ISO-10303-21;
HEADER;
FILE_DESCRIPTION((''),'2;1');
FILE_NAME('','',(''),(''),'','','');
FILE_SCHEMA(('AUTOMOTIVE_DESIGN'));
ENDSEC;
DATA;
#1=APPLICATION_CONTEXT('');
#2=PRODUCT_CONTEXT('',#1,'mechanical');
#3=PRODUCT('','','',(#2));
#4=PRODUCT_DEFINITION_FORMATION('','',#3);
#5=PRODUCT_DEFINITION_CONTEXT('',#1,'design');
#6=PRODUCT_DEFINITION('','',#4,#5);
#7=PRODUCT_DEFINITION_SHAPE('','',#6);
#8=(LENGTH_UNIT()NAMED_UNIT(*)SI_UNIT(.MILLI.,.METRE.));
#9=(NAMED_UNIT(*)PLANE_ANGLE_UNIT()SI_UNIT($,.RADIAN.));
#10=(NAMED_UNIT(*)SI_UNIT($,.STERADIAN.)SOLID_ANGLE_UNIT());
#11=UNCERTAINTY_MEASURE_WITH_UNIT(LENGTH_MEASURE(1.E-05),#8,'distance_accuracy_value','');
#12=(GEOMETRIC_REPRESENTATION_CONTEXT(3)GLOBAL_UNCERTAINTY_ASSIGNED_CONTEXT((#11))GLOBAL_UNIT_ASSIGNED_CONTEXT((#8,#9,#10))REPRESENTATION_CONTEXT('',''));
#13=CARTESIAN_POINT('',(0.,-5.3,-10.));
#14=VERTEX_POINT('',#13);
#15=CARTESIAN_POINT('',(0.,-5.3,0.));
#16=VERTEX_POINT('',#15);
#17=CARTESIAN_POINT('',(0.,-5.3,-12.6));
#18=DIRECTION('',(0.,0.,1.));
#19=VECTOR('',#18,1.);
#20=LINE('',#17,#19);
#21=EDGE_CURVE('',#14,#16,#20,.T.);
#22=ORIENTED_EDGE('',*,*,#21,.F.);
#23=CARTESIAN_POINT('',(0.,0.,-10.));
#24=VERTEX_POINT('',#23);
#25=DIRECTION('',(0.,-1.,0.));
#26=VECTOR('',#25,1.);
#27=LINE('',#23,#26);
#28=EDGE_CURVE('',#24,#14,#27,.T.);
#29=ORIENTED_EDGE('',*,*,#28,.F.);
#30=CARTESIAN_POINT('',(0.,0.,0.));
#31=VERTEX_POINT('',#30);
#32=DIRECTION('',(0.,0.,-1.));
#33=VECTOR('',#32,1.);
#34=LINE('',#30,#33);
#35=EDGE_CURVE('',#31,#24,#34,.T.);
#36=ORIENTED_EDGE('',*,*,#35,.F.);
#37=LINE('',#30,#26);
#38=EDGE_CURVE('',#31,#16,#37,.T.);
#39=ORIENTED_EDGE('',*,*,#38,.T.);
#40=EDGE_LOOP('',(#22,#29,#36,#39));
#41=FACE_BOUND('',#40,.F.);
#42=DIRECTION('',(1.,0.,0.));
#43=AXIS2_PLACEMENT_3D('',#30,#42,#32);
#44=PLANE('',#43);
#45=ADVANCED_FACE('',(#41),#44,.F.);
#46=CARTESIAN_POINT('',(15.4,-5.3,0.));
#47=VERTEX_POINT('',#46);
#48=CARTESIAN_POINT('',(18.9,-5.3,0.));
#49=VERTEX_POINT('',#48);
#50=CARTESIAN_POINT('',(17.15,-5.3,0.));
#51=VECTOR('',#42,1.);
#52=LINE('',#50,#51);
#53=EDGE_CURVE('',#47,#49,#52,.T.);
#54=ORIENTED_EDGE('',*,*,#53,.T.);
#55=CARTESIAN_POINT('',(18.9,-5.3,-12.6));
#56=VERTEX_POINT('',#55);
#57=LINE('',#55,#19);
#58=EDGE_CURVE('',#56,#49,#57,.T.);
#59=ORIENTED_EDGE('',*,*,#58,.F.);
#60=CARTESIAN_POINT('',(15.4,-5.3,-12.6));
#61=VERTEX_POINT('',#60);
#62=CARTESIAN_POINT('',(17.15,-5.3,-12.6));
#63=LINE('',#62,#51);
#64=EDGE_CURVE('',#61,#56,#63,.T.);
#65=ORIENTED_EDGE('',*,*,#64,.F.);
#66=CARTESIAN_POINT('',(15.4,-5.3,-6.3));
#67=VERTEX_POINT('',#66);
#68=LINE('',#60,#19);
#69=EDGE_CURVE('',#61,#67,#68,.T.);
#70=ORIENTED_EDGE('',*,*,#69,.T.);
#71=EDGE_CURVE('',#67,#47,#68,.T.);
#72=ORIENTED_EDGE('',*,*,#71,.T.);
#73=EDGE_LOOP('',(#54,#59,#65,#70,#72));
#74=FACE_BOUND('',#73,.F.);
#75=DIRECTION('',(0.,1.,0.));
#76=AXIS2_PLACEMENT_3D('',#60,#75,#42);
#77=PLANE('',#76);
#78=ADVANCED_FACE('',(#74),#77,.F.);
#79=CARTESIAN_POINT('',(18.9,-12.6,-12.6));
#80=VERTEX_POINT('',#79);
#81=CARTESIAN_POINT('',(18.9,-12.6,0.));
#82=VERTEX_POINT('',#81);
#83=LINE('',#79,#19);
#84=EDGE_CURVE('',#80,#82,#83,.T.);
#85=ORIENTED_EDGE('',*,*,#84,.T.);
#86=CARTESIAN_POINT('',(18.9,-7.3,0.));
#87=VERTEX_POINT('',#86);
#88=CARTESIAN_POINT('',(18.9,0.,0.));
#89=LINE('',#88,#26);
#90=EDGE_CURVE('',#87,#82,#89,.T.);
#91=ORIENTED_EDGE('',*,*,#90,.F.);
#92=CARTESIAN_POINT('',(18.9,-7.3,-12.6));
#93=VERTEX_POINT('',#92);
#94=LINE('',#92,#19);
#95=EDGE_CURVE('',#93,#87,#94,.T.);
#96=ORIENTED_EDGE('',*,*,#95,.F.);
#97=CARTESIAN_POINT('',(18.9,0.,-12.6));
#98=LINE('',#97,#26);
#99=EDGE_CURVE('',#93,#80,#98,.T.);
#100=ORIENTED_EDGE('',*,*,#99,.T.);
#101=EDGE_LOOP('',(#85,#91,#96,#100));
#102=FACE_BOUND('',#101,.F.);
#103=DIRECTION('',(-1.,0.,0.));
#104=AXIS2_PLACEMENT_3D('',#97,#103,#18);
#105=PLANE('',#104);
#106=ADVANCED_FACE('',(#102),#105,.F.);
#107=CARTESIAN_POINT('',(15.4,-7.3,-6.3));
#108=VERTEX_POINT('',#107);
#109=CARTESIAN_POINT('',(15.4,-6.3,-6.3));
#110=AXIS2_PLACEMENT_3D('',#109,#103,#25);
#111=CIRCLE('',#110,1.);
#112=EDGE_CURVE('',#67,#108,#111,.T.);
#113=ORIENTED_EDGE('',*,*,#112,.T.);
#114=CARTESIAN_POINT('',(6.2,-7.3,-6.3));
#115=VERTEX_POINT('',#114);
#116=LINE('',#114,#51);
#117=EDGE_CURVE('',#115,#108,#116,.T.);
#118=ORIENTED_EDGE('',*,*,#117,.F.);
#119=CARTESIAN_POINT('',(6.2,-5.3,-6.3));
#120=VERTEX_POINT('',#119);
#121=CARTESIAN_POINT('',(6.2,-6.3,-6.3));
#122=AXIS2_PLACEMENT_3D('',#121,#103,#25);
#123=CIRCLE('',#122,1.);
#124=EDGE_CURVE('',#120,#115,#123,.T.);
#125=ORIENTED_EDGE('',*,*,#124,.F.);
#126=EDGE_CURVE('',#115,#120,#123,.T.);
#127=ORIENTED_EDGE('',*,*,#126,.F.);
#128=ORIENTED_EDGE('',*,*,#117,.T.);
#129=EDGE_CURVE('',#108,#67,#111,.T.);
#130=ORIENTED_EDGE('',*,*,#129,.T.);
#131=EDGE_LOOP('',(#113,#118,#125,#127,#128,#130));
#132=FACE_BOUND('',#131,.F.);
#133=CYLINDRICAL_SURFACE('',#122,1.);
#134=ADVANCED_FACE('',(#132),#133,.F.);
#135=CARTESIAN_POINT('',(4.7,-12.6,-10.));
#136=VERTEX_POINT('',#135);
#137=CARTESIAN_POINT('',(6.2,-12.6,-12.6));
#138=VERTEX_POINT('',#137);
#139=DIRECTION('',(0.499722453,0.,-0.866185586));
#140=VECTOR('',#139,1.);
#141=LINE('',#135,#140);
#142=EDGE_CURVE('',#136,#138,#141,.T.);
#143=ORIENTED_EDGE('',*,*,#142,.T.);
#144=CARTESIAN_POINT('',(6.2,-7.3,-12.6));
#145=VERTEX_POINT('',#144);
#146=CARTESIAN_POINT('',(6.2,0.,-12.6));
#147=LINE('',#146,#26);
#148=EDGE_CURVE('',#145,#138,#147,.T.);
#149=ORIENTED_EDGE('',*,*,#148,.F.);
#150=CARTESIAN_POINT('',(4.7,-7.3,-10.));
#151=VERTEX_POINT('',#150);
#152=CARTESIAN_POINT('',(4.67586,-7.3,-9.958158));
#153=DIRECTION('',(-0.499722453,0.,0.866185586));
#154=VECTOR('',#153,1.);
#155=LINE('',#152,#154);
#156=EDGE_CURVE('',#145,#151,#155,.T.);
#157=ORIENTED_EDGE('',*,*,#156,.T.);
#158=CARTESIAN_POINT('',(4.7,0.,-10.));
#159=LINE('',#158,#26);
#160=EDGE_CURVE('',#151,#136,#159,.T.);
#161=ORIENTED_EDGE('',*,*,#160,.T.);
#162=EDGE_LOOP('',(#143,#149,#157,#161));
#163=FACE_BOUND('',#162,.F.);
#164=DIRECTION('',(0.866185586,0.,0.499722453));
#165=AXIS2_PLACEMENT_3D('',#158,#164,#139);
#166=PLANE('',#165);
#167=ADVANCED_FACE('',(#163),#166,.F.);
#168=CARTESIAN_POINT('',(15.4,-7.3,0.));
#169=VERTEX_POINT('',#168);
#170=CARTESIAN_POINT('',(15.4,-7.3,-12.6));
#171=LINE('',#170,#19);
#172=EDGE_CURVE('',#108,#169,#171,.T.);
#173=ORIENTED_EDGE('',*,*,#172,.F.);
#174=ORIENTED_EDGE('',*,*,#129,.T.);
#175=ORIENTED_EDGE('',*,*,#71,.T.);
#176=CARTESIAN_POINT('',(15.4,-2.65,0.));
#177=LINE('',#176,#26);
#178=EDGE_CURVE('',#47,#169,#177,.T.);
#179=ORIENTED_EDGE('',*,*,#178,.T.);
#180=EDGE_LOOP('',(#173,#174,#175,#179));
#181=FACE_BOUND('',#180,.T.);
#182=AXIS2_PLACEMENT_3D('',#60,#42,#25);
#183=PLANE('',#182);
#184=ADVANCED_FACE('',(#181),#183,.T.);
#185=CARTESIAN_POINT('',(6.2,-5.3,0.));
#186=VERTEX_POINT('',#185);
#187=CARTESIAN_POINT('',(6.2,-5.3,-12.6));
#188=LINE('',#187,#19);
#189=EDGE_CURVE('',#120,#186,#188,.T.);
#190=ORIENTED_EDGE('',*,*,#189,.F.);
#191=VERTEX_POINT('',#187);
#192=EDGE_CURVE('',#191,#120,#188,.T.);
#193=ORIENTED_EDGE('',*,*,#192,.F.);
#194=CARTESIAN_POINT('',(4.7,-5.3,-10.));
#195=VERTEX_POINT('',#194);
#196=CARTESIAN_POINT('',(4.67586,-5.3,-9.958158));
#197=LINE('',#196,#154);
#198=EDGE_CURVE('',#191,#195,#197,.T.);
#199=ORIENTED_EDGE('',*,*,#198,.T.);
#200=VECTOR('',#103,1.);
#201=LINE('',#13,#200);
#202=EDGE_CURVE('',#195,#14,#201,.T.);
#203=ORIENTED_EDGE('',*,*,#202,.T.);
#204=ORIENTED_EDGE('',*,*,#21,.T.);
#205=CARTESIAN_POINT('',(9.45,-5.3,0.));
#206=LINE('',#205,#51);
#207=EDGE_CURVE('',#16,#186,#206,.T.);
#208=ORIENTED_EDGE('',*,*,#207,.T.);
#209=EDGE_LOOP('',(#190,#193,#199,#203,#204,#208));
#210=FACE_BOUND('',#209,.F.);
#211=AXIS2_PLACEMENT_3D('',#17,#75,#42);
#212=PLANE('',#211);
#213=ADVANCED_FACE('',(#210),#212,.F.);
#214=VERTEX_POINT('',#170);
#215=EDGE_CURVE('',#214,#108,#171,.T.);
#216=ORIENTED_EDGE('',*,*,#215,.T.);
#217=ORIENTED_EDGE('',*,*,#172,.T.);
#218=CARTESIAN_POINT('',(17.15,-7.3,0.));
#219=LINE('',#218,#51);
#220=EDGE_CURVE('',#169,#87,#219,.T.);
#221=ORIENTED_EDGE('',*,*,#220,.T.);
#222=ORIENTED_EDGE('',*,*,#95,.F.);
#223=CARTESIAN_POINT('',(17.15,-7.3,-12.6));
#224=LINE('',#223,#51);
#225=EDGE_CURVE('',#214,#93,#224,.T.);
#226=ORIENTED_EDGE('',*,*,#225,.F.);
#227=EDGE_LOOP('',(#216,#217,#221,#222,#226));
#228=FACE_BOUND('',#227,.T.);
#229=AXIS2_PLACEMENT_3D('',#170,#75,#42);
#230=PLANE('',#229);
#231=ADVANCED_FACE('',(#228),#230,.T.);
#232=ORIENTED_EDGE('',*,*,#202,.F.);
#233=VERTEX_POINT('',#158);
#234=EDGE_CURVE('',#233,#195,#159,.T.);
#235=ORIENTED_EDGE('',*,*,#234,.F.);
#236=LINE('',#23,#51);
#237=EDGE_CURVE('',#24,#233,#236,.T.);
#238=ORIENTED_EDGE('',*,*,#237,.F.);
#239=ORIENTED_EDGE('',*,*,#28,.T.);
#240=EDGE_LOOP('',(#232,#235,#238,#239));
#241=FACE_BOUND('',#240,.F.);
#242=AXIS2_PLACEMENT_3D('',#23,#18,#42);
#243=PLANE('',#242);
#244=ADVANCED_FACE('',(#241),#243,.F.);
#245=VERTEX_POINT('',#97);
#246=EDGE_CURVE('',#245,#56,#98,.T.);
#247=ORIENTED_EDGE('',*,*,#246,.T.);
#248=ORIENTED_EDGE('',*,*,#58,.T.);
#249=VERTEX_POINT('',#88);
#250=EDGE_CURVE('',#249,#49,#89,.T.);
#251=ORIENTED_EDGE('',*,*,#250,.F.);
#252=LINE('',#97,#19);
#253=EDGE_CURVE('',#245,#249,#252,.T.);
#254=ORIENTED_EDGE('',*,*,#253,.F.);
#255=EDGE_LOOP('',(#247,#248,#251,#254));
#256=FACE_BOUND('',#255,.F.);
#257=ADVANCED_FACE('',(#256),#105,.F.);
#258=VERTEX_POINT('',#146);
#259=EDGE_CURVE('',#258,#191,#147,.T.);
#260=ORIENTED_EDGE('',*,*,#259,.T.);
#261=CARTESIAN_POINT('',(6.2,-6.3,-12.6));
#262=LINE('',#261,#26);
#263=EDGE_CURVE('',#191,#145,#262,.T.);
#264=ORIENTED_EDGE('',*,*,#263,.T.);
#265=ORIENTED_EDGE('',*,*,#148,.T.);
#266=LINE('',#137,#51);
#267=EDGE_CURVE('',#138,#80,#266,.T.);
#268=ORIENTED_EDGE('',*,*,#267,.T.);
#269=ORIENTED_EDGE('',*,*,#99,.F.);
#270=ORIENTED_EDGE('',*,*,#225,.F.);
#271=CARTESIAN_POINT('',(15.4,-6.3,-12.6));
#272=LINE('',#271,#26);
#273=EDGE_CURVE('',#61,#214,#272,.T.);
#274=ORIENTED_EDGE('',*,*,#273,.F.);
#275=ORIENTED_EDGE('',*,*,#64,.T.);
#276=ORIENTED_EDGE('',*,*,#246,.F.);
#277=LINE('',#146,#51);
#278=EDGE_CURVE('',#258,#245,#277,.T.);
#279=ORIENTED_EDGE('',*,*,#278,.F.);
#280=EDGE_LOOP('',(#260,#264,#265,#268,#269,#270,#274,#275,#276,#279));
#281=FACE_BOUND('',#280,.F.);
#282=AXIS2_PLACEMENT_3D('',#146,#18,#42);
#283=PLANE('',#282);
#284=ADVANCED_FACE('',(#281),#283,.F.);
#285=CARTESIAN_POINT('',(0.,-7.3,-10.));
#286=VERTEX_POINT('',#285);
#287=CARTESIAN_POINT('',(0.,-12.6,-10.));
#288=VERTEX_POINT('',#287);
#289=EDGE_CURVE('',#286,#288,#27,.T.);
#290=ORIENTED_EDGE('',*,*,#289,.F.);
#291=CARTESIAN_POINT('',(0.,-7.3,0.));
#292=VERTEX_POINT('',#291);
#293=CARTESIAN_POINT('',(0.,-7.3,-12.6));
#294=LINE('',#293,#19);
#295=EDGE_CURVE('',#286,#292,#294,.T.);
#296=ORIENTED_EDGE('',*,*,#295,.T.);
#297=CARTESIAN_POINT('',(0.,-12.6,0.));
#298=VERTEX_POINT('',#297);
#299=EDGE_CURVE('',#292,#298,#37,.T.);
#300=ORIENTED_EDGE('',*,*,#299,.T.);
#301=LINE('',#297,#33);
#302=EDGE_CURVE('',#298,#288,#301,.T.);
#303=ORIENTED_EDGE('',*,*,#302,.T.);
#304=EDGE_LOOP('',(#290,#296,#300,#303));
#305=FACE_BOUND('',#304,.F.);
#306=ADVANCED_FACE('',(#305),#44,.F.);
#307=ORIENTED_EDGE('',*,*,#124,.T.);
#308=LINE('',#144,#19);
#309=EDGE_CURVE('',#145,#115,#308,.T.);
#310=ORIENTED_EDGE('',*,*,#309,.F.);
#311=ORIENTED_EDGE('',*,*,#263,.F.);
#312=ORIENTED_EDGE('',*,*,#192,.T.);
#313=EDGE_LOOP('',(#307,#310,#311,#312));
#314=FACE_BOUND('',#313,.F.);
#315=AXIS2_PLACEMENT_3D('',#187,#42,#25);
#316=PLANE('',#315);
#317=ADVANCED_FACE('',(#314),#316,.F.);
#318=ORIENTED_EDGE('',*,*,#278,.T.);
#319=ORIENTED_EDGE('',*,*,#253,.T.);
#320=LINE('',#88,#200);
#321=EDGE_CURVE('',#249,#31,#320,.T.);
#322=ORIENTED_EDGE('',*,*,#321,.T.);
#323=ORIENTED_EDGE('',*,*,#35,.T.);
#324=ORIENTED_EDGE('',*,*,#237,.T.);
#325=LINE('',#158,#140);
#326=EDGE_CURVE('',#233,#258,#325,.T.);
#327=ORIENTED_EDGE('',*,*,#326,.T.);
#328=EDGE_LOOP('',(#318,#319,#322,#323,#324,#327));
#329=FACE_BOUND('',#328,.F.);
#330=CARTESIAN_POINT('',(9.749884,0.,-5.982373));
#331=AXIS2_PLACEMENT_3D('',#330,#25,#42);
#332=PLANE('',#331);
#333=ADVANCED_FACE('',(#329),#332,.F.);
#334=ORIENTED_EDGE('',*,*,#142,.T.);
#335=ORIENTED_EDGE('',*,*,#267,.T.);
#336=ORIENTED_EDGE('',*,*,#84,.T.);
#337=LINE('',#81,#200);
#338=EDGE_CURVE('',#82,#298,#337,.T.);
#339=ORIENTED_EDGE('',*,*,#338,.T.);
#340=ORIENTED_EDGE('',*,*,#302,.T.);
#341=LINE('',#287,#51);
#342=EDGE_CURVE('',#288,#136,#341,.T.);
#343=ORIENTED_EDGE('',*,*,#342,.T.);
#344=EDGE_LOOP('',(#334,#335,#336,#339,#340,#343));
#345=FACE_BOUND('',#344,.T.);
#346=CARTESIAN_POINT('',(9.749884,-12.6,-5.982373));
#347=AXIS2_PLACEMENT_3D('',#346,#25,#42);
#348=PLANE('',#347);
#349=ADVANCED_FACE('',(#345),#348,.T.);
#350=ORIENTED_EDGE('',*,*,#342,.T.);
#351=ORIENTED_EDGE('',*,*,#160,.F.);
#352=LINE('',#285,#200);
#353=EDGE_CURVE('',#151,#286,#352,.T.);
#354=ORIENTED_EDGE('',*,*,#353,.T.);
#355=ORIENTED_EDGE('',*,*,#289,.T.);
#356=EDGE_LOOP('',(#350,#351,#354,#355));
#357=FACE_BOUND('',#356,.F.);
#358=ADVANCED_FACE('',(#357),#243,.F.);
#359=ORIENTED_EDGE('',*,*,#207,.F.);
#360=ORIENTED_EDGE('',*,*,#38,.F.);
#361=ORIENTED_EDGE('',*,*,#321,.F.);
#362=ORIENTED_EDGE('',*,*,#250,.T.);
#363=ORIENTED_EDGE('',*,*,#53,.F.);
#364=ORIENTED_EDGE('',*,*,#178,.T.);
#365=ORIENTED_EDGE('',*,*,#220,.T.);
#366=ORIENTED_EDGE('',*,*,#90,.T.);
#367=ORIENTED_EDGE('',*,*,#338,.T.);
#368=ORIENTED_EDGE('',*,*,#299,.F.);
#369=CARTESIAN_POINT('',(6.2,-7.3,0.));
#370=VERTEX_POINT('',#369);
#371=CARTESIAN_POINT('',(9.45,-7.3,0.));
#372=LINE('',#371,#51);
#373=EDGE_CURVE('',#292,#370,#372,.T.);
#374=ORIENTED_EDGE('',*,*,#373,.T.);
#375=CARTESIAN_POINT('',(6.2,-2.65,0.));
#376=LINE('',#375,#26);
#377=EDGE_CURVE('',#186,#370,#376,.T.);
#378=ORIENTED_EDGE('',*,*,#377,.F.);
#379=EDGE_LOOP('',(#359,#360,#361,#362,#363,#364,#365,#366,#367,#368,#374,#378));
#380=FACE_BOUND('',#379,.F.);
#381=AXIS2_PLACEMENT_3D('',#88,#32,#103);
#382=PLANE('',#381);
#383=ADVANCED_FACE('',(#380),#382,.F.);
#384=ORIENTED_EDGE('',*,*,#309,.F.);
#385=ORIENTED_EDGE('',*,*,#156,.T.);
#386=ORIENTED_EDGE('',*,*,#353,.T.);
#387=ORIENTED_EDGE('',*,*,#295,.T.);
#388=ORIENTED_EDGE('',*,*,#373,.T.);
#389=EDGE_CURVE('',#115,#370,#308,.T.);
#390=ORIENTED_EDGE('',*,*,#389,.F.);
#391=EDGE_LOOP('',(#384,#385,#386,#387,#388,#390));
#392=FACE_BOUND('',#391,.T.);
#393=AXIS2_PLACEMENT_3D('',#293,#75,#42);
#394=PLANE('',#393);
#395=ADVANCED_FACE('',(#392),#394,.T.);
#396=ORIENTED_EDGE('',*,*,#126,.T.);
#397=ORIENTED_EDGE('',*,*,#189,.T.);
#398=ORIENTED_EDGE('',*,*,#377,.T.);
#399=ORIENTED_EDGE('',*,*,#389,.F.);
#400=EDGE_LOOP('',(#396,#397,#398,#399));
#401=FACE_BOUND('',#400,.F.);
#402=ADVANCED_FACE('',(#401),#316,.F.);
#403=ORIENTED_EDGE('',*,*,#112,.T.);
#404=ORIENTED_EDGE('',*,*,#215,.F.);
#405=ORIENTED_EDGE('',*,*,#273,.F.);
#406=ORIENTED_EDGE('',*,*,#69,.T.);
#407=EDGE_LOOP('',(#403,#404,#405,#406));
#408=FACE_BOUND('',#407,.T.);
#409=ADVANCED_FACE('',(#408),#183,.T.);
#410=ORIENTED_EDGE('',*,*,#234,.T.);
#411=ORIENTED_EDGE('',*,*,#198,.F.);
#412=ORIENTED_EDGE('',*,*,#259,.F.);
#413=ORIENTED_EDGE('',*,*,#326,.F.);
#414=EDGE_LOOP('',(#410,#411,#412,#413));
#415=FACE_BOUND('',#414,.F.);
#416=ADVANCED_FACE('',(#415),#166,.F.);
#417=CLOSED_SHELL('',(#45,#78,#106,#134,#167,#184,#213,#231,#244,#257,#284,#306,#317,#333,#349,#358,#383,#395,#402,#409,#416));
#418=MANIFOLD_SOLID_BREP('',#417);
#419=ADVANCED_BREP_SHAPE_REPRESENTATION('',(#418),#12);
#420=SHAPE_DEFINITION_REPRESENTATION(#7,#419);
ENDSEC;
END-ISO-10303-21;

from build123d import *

# Parameters (mm, degrees)
F1_DEPTH = 12.6
F2_W     = 6.2
F2_H     = 2
F3_DEPTH = 12.601
F2_W_2   = 3.5
F4_DEPTH = 12.601
F6_DEPTH = 12.701


with BuildPart() as f1:
    # F0 (on Front) → F1 (new body)
    with BuildSketch(Plane.XZ):
        Polygon((18.9, 0), (0, 0), (0, -10), (4.7, -10), (6.2, -12.6), (18.9, -12.6), align=None)
    extrude(amount=F1_DEPTH)

    # F2 (on face) → F3 (cut, through all)
    with BuildSketch(Plane(origin=(0, 0, -12.6), x_dir=(1, 0, 0), z_dir=(0, 0, -1))):
        with Locations((3.1, 6.3)):
            Rectangle(F2_W, F2_H)
    extrude(amount=-F3_DEPTH, mode=Mode.SUBTRACT)

    # F2 (on face) → F4 (cut, through all)
    with BuildSketch(Plane(origin=(0, 0, -12.6), x_dir=(1, 0, 0), z_dir=(0, 0, -1))):
        with Locations((17.15, 6.3)):
            Rectangle(F2_W_2, F2_H)
    extrude(amount=-F4_DEPTH, mode=Mode.SUBTRACT)

    # F5 (on face) → F6 (cut, through all)
    with BuildSketch(Plane(origin=(6.2, 0, 0), x_dir=(0, -1, 0), z_dir=(-1, 0, 0))):
        with BuildLine():
            ThreePointArc((5.3, -6.3), (6.3, -7.3), (7.3, -6.3))
            ThreePointArc((7.3, -6.3), (6.3, -5.3), (5.3, -6.3))
        make_face()
    extrude(amount=-F6_DEPTH, mode=Mode.SUBTRACT)


solid = f1.part
